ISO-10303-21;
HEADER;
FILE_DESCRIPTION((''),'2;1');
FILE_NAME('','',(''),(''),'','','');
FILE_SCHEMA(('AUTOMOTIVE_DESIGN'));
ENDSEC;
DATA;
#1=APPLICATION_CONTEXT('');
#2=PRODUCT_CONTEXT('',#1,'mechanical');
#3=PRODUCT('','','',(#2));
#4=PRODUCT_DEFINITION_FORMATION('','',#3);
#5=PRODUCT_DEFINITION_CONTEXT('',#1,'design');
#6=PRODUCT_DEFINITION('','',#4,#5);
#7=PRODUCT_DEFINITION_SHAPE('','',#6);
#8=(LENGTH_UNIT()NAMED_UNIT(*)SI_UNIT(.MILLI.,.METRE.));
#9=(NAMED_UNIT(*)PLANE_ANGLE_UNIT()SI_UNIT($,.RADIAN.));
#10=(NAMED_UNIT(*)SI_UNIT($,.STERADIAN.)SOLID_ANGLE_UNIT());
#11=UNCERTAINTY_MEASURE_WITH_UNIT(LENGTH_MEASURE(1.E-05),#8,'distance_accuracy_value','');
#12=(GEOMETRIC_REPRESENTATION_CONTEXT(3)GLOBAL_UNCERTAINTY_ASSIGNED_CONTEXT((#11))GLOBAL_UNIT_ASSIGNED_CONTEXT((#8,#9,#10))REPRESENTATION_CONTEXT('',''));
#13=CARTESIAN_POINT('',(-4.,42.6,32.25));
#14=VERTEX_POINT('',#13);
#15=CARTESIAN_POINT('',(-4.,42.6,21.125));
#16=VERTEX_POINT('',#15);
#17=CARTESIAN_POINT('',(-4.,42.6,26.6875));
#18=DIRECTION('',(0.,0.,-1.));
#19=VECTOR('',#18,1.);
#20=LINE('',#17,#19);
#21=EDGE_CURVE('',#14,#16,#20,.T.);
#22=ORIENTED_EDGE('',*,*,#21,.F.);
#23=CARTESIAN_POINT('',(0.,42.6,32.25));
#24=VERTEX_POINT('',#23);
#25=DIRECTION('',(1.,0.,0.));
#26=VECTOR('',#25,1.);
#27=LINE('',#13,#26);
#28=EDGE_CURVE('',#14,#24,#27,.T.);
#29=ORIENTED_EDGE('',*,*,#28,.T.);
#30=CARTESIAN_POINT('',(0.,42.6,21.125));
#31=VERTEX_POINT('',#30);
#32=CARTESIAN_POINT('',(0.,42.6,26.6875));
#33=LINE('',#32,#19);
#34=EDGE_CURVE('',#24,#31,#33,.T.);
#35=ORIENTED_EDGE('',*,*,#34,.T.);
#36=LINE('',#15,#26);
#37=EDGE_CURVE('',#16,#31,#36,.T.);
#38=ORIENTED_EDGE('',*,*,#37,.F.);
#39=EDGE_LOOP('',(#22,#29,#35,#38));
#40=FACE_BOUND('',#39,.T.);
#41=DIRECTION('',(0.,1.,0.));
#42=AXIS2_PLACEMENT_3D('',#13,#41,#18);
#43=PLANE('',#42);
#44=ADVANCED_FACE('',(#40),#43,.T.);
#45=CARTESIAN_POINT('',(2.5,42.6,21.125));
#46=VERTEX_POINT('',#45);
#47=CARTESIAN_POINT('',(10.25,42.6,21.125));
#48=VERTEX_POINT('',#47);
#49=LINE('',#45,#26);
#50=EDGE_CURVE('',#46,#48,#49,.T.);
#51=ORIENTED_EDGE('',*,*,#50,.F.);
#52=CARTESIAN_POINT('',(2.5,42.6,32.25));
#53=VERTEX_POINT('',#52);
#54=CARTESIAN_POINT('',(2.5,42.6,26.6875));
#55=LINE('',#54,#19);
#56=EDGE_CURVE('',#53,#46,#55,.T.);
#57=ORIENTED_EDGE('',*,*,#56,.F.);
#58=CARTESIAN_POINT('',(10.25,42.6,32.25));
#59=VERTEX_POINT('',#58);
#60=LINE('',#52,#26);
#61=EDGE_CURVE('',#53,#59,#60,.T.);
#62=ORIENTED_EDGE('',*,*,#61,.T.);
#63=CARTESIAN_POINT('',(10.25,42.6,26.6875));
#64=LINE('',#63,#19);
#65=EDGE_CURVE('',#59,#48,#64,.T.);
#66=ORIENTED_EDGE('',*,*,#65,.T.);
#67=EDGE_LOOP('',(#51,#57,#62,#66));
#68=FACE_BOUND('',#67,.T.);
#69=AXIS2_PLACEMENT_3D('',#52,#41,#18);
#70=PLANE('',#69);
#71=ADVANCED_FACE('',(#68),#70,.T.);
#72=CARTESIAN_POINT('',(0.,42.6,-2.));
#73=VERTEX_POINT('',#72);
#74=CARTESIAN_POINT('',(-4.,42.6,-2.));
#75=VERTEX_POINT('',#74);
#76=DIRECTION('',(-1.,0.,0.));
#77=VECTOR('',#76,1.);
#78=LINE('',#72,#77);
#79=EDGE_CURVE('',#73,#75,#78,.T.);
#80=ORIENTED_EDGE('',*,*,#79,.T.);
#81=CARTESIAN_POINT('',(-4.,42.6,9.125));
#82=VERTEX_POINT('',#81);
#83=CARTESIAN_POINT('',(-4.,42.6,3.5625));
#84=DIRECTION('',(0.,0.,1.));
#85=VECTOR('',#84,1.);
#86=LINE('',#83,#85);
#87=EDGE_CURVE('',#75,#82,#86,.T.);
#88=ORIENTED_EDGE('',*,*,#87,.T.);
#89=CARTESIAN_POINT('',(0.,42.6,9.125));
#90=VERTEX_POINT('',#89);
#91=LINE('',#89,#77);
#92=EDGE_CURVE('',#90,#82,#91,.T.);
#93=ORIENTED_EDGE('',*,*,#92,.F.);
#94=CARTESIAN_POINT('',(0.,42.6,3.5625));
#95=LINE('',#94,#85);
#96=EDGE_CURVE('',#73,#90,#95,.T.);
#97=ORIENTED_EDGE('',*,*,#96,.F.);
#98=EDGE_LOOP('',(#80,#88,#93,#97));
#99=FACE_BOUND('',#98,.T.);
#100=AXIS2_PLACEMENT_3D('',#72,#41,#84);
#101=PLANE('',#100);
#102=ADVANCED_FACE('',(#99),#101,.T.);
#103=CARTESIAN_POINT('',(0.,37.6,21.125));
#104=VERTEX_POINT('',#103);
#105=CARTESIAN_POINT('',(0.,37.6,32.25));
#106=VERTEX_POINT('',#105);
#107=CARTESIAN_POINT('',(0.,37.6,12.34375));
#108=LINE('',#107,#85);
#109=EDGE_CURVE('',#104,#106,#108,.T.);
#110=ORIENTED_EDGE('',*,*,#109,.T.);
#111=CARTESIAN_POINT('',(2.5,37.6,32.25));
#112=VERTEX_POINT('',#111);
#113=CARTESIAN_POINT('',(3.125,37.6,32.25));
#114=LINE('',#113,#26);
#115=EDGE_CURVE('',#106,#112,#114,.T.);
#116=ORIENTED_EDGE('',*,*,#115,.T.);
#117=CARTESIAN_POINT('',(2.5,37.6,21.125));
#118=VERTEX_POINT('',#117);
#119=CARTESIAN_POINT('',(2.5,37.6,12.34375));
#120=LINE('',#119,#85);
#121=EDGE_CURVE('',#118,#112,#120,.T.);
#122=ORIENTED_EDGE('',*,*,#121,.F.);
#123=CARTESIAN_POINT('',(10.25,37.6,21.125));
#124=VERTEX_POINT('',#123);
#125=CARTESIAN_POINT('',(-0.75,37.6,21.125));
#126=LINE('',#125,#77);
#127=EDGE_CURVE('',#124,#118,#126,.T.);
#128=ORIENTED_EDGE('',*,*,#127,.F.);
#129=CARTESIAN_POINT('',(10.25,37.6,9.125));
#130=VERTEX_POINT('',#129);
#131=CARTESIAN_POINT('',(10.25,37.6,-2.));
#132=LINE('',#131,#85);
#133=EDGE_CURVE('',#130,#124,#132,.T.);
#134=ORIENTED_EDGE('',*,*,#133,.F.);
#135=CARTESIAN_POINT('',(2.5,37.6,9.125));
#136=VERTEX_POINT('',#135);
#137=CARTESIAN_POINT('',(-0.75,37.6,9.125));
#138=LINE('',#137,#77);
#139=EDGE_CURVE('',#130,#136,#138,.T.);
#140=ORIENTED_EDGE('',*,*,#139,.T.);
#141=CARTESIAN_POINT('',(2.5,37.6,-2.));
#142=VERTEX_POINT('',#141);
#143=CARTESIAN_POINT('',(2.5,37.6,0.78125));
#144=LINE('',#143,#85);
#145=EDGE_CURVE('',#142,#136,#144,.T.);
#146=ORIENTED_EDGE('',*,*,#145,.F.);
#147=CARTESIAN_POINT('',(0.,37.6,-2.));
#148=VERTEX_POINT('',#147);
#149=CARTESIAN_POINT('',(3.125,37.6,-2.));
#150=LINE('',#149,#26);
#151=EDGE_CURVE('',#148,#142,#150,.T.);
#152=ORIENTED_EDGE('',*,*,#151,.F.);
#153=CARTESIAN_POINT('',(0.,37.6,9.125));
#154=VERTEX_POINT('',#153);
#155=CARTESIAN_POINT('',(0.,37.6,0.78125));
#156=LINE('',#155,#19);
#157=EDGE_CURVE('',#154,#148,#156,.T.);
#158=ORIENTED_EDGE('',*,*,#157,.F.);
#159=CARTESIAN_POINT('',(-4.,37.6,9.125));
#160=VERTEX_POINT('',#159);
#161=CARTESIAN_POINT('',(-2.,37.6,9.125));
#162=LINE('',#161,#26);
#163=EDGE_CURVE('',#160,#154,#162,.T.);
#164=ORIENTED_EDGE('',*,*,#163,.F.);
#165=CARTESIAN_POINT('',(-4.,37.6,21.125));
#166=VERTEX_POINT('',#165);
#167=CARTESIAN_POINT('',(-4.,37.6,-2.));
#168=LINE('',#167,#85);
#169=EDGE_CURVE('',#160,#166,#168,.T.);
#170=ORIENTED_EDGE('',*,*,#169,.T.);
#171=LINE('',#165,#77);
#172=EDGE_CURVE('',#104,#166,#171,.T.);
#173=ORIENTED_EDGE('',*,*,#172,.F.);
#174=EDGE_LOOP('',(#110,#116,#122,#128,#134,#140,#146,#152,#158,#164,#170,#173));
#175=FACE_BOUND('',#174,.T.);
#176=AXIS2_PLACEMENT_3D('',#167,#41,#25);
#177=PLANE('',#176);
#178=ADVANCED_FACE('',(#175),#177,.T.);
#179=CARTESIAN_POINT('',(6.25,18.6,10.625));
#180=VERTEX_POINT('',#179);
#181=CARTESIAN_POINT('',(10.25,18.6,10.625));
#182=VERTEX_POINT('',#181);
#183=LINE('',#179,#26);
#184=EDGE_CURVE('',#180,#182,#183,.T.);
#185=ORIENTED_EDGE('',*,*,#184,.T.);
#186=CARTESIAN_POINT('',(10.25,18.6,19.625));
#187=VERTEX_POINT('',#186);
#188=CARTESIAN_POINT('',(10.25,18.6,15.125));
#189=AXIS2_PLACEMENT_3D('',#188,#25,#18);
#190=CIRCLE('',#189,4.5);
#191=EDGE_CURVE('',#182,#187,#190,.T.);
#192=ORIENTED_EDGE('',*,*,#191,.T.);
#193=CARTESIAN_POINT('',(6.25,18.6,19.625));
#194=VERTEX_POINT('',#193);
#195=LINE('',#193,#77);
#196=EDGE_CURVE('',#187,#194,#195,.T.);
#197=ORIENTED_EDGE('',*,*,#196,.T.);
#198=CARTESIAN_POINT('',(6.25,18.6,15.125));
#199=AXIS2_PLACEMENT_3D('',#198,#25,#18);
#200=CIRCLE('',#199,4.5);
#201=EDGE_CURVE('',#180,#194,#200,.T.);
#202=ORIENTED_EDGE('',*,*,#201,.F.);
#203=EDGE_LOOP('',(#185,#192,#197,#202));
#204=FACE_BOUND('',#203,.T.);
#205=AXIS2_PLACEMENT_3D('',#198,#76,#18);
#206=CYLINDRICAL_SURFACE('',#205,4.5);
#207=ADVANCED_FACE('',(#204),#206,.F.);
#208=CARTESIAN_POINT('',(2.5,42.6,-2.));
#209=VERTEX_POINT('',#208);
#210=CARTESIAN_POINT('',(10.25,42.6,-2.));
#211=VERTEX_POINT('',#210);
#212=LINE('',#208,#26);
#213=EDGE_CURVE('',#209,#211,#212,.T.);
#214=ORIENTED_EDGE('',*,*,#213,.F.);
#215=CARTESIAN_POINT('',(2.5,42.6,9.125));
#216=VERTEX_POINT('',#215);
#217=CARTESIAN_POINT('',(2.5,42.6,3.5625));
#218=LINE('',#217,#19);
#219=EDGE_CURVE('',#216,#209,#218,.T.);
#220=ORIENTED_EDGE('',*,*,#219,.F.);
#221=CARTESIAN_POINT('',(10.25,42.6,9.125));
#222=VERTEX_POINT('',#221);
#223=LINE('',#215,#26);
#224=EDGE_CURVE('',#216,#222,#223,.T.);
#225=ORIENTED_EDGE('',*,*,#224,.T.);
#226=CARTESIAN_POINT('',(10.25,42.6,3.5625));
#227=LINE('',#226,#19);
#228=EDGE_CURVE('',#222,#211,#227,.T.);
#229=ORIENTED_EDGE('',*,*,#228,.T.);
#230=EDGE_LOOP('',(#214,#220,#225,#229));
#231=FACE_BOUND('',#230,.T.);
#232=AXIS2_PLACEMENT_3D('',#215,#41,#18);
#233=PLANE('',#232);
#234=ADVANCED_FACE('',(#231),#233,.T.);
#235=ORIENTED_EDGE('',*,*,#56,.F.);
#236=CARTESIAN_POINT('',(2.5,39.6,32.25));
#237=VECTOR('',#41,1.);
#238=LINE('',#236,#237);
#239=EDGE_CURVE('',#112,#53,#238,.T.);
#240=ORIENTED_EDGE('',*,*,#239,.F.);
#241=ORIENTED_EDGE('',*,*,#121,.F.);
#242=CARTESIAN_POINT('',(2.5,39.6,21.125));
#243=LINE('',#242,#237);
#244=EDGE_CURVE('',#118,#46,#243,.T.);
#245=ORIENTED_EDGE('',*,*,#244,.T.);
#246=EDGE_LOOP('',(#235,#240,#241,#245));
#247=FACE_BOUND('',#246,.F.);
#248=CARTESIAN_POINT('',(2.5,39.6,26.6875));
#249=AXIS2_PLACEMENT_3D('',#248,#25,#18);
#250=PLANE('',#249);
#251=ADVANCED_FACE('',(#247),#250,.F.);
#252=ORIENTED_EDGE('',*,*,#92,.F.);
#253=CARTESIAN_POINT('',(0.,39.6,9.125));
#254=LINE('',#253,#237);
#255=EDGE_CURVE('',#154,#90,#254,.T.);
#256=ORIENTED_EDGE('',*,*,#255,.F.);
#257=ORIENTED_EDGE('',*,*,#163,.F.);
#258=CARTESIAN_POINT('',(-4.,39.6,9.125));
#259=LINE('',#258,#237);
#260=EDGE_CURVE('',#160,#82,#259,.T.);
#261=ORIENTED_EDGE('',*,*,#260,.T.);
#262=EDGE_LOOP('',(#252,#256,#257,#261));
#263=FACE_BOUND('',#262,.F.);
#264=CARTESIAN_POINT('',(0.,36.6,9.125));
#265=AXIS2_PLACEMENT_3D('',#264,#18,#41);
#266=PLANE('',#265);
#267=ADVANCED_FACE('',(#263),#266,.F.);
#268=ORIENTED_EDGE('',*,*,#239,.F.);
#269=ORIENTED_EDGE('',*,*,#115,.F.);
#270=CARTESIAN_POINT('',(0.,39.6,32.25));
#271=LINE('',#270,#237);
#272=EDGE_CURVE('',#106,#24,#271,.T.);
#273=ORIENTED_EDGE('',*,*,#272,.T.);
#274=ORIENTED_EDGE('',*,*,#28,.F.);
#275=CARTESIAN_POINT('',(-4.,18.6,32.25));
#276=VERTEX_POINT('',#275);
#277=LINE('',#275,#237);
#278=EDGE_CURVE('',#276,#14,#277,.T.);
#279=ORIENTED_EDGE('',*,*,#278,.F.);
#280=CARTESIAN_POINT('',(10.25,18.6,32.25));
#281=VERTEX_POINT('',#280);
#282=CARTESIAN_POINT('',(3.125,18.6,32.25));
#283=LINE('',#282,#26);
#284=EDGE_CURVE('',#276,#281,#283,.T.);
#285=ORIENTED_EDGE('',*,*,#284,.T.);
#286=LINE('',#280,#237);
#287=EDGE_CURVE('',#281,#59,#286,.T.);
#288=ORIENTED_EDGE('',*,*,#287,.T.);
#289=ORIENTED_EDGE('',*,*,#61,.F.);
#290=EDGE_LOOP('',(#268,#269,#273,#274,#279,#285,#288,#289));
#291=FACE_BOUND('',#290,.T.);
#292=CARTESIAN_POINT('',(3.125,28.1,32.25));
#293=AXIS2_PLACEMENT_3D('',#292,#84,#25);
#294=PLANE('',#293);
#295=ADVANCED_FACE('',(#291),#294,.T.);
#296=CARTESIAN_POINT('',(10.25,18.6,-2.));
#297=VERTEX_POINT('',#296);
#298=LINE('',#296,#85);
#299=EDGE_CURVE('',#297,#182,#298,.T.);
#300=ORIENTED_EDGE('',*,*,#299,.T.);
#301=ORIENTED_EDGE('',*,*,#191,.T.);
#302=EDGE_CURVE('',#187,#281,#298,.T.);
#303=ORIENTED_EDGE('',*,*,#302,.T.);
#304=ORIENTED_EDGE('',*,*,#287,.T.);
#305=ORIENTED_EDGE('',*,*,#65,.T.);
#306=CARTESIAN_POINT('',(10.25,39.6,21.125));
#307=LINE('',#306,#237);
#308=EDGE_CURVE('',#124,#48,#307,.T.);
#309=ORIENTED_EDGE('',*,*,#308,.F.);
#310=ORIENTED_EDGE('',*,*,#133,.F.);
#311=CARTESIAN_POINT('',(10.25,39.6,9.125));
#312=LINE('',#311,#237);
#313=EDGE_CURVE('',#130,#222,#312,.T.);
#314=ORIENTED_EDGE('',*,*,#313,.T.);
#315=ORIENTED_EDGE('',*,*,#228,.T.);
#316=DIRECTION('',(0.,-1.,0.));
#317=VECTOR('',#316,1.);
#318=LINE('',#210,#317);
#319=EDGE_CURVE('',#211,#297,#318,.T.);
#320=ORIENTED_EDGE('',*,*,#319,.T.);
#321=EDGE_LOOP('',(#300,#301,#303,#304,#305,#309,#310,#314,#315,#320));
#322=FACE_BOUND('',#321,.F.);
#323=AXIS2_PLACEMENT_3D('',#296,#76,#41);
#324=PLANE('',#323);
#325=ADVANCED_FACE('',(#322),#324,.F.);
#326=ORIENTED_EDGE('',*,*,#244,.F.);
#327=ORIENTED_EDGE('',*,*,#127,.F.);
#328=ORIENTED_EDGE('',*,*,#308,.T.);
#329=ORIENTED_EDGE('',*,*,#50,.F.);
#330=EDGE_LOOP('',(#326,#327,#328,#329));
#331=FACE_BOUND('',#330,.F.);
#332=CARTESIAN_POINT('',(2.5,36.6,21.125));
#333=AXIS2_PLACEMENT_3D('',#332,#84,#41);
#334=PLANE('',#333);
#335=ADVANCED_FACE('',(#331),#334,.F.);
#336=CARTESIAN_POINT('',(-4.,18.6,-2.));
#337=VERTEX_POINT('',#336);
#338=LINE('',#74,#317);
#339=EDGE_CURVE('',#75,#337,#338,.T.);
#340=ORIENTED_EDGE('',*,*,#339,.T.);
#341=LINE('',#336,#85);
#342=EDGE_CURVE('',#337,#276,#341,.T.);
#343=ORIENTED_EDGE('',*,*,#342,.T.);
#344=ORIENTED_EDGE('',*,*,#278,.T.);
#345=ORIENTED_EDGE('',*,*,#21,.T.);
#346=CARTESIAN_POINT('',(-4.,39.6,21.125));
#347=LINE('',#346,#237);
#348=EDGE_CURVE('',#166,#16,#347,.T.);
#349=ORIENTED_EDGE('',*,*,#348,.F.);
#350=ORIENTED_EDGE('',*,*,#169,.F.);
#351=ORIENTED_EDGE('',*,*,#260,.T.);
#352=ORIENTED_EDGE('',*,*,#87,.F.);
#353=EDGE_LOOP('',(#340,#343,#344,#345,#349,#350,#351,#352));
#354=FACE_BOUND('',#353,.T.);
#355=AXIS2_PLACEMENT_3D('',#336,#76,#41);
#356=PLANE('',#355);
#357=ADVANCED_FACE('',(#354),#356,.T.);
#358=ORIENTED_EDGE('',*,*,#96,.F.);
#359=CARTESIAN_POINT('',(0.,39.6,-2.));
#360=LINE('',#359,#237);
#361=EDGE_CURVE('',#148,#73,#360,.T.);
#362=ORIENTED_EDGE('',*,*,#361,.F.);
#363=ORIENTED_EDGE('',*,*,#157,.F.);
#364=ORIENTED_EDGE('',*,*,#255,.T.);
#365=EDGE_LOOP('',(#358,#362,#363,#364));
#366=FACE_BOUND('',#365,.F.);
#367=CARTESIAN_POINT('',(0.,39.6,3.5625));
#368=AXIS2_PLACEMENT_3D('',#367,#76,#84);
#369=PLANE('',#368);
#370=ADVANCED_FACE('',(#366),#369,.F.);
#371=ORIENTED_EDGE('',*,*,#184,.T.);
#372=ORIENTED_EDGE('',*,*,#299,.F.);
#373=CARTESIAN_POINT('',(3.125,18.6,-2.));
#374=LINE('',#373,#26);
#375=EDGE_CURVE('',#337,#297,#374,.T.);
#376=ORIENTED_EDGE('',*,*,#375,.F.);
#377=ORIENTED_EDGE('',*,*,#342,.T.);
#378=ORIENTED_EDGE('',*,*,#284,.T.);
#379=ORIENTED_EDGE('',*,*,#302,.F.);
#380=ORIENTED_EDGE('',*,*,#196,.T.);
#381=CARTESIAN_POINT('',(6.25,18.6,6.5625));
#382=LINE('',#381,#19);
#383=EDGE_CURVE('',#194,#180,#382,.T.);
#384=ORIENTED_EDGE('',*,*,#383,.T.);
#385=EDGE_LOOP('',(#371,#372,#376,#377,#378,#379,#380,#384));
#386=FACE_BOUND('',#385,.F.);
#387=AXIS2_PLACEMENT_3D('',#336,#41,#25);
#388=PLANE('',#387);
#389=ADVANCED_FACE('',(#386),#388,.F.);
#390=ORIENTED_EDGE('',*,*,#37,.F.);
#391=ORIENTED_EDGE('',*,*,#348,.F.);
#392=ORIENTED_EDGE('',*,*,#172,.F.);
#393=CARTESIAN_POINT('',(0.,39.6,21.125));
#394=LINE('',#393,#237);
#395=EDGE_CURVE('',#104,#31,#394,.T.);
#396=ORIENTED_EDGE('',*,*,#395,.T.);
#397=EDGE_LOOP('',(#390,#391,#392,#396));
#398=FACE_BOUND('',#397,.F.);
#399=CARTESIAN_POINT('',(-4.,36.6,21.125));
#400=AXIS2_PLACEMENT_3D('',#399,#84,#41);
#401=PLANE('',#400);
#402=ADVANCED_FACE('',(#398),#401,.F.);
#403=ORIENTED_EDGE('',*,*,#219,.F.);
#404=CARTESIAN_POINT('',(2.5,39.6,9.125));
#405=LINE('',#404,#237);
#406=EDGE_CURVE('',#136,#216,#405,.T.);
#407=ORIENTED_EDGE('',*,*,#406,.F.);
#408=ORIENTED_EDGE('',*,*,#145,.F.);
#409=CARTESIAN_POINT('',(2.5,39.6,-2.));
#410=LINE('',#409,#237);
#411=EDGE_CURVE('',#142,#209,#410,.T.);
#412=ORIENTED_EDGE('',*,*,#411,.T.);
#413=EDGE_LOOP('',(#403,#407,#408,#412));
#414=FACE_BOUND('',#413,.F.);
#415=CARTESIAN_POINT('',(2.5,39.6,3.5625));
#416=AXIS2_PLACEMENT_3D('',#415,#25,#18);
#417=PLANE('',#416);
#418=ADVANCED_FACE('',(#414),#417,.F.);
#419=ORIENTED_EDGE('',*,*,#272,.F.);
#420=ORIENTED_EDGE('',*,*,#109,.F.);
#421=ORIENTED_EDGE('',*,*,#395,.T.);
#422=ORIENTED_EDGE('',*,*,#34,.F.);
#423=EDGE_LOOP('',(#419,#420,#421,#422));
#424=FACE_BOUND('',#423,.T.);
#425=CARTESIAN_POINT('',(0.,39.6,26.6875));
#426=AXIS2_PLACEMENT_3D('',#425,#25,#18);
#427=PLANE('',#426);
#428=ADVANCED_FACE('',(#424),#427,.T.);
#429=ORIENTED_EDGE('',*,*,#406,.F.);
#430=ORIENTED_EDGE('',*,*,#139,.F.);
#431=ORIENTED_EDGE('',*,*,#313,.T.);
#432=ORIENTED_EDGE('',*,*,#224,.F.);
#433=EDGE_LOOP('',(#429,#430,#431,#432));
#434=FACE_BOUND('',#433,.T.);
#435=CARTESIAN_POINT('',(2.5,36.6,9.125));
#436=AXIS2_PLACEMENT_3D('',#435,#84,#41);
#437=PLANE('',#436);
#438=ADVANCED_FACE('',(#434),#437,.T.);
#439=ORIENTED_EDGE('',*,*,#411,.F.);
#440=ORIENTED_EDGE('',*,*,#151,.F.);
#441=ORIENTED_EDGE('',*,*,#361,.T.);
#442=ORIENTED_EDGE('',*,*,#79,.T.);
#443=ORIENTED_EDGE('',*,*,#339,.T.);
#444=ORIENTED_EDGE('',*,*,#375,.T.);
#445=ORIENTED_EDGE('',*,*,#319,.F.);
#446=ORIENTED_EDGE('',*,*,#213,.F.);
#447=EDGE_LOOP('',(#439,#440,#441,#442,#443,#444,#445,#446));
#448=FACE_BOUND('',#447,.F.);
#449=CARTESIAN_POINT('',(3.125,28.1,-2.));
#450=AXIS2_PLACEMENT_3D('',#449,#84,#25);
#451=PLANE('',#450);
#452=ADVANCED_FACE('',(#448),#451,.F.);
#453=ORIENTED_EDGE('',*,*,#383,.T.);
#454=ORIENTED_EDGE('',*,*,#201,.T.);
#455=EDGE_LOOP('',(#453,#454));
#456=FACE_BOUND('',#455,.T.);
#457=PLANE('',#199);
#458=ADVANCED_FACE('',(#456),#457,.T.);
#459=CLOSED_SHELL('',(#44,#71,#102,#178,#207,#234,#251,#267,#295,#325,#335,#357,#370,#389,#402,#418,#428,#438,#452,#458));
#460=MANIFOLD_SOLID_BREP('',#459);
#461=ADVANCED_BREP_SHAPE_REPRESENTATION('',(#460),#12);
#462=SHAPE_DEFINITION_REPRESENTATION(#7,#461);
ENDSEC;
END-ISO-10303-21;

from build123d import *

# Parameters (mm, degrees)
CYLINDER020_R     = 4.5
CYLINDER020_DEPTH = 4
BOX014_W          = 11.125
BOX014_H          = 6
BOX014_DEPTH      = 4
BOX015_W          = 11.125
BOX015_H          = 6
BOX015_DEPTH      = 4
BOX021_W          = 11.125
BOX021_H          = 6
BOX021_DEPTH      = 7.75
BOX003_W          = 14.25
BOX003_H          = 19
BOX003_DEPTH      = 34.25
BOX022_W          = 11.125
BOX022_H          = 6
BOX022_DEPTH      = 7.75


with BuildPart() as cylinder020:
    # Cylinder020 → Cylinder020 (new body)
    with BuildSketch(Plane(origin=(6.25, 18.6, 15.125), x_dir=(0, 0, -1), z_dir=(1, 0, 0))):
        Circle(CYLINDER020_R)
    extrude(amount=CYLINDER020_DEPTH)


with BuildPart() as base_holder:
    # Box014 → Box014 (new body)
    with BuildSketch(Plane(origin=(0, 36.6, -2), x_dir=(0, 0, 1), z_dir=(-1, 0, 0))):
        with Locations((5.5625, 3)):
            Rectangle(BOX014_W, BOX014_H)
    extrude(amount=BOX014_DEPTH)


with BuildPart() as base_holder001:
    # Box015 → Box015 (new body)
    with BuildSketch(Plane(origin=(-4, 36.6, 32.25), x_dir=(0, 0, -1), z_dir=(1, 0, 0))):
        with Locations((5.5625, 3)):
            Rectangle(BOX015_W, BOX015_H)
    extrude(amount=BOX015_DEPTH)


with BuildPart() as base_holder002:
    # Box021 → Box021 (new body)
    with BuildSketch(Plane(origin=(2.5, 36.6, 32.25), x_dir=(0, 0, -1), z_dir=(1, 0, 0))):
        with Locations((5.5625, 3)):
            Rectangle(BOX021_W, BOX021_H)
    extrude(amount=BOX021_DEPTH)


with BuildPart() as f_3d_print_syringe_holder:
    # Box003 → Box003 (new body)
    with BuildSketch(Plane(origin=(-4, 18.6, -2), x_dir=(1, 0, 0), z_dir=(0, 0, 1))):
        with Locations((7.125, 9.5)):
            Rectangle(BOX003_W, BOX003_H)
    extrude(amount=BOX003_DEPTH)


with BuildPart() as cut007:
    # Box022 → Box022 (new body)
    with BuildSketch(Plane(origin=(2.5, 36.6, 9.125), x_dir=(0, 0, -1), z_dir=(1, 0, 0))):
        with Locations((5.5625, 3)):
            Rectangle(BOX022_W, BOX022_H)
    extrude(amount=BOX022_DEPTH)

    # Fusion010: union base_holder, base_holder001, base_holder002, 3D_print_syringe_holder
    add(base_holder.part)
    add(base_holder001.part)
    add(base_holder002.part)
    add(f_3d_print_syringe_holder.part)

    # Cut007: cut Cylinder020
    add(cylinder020.part, mode=Mode.SUBTRACT)


solid = cut007.part
